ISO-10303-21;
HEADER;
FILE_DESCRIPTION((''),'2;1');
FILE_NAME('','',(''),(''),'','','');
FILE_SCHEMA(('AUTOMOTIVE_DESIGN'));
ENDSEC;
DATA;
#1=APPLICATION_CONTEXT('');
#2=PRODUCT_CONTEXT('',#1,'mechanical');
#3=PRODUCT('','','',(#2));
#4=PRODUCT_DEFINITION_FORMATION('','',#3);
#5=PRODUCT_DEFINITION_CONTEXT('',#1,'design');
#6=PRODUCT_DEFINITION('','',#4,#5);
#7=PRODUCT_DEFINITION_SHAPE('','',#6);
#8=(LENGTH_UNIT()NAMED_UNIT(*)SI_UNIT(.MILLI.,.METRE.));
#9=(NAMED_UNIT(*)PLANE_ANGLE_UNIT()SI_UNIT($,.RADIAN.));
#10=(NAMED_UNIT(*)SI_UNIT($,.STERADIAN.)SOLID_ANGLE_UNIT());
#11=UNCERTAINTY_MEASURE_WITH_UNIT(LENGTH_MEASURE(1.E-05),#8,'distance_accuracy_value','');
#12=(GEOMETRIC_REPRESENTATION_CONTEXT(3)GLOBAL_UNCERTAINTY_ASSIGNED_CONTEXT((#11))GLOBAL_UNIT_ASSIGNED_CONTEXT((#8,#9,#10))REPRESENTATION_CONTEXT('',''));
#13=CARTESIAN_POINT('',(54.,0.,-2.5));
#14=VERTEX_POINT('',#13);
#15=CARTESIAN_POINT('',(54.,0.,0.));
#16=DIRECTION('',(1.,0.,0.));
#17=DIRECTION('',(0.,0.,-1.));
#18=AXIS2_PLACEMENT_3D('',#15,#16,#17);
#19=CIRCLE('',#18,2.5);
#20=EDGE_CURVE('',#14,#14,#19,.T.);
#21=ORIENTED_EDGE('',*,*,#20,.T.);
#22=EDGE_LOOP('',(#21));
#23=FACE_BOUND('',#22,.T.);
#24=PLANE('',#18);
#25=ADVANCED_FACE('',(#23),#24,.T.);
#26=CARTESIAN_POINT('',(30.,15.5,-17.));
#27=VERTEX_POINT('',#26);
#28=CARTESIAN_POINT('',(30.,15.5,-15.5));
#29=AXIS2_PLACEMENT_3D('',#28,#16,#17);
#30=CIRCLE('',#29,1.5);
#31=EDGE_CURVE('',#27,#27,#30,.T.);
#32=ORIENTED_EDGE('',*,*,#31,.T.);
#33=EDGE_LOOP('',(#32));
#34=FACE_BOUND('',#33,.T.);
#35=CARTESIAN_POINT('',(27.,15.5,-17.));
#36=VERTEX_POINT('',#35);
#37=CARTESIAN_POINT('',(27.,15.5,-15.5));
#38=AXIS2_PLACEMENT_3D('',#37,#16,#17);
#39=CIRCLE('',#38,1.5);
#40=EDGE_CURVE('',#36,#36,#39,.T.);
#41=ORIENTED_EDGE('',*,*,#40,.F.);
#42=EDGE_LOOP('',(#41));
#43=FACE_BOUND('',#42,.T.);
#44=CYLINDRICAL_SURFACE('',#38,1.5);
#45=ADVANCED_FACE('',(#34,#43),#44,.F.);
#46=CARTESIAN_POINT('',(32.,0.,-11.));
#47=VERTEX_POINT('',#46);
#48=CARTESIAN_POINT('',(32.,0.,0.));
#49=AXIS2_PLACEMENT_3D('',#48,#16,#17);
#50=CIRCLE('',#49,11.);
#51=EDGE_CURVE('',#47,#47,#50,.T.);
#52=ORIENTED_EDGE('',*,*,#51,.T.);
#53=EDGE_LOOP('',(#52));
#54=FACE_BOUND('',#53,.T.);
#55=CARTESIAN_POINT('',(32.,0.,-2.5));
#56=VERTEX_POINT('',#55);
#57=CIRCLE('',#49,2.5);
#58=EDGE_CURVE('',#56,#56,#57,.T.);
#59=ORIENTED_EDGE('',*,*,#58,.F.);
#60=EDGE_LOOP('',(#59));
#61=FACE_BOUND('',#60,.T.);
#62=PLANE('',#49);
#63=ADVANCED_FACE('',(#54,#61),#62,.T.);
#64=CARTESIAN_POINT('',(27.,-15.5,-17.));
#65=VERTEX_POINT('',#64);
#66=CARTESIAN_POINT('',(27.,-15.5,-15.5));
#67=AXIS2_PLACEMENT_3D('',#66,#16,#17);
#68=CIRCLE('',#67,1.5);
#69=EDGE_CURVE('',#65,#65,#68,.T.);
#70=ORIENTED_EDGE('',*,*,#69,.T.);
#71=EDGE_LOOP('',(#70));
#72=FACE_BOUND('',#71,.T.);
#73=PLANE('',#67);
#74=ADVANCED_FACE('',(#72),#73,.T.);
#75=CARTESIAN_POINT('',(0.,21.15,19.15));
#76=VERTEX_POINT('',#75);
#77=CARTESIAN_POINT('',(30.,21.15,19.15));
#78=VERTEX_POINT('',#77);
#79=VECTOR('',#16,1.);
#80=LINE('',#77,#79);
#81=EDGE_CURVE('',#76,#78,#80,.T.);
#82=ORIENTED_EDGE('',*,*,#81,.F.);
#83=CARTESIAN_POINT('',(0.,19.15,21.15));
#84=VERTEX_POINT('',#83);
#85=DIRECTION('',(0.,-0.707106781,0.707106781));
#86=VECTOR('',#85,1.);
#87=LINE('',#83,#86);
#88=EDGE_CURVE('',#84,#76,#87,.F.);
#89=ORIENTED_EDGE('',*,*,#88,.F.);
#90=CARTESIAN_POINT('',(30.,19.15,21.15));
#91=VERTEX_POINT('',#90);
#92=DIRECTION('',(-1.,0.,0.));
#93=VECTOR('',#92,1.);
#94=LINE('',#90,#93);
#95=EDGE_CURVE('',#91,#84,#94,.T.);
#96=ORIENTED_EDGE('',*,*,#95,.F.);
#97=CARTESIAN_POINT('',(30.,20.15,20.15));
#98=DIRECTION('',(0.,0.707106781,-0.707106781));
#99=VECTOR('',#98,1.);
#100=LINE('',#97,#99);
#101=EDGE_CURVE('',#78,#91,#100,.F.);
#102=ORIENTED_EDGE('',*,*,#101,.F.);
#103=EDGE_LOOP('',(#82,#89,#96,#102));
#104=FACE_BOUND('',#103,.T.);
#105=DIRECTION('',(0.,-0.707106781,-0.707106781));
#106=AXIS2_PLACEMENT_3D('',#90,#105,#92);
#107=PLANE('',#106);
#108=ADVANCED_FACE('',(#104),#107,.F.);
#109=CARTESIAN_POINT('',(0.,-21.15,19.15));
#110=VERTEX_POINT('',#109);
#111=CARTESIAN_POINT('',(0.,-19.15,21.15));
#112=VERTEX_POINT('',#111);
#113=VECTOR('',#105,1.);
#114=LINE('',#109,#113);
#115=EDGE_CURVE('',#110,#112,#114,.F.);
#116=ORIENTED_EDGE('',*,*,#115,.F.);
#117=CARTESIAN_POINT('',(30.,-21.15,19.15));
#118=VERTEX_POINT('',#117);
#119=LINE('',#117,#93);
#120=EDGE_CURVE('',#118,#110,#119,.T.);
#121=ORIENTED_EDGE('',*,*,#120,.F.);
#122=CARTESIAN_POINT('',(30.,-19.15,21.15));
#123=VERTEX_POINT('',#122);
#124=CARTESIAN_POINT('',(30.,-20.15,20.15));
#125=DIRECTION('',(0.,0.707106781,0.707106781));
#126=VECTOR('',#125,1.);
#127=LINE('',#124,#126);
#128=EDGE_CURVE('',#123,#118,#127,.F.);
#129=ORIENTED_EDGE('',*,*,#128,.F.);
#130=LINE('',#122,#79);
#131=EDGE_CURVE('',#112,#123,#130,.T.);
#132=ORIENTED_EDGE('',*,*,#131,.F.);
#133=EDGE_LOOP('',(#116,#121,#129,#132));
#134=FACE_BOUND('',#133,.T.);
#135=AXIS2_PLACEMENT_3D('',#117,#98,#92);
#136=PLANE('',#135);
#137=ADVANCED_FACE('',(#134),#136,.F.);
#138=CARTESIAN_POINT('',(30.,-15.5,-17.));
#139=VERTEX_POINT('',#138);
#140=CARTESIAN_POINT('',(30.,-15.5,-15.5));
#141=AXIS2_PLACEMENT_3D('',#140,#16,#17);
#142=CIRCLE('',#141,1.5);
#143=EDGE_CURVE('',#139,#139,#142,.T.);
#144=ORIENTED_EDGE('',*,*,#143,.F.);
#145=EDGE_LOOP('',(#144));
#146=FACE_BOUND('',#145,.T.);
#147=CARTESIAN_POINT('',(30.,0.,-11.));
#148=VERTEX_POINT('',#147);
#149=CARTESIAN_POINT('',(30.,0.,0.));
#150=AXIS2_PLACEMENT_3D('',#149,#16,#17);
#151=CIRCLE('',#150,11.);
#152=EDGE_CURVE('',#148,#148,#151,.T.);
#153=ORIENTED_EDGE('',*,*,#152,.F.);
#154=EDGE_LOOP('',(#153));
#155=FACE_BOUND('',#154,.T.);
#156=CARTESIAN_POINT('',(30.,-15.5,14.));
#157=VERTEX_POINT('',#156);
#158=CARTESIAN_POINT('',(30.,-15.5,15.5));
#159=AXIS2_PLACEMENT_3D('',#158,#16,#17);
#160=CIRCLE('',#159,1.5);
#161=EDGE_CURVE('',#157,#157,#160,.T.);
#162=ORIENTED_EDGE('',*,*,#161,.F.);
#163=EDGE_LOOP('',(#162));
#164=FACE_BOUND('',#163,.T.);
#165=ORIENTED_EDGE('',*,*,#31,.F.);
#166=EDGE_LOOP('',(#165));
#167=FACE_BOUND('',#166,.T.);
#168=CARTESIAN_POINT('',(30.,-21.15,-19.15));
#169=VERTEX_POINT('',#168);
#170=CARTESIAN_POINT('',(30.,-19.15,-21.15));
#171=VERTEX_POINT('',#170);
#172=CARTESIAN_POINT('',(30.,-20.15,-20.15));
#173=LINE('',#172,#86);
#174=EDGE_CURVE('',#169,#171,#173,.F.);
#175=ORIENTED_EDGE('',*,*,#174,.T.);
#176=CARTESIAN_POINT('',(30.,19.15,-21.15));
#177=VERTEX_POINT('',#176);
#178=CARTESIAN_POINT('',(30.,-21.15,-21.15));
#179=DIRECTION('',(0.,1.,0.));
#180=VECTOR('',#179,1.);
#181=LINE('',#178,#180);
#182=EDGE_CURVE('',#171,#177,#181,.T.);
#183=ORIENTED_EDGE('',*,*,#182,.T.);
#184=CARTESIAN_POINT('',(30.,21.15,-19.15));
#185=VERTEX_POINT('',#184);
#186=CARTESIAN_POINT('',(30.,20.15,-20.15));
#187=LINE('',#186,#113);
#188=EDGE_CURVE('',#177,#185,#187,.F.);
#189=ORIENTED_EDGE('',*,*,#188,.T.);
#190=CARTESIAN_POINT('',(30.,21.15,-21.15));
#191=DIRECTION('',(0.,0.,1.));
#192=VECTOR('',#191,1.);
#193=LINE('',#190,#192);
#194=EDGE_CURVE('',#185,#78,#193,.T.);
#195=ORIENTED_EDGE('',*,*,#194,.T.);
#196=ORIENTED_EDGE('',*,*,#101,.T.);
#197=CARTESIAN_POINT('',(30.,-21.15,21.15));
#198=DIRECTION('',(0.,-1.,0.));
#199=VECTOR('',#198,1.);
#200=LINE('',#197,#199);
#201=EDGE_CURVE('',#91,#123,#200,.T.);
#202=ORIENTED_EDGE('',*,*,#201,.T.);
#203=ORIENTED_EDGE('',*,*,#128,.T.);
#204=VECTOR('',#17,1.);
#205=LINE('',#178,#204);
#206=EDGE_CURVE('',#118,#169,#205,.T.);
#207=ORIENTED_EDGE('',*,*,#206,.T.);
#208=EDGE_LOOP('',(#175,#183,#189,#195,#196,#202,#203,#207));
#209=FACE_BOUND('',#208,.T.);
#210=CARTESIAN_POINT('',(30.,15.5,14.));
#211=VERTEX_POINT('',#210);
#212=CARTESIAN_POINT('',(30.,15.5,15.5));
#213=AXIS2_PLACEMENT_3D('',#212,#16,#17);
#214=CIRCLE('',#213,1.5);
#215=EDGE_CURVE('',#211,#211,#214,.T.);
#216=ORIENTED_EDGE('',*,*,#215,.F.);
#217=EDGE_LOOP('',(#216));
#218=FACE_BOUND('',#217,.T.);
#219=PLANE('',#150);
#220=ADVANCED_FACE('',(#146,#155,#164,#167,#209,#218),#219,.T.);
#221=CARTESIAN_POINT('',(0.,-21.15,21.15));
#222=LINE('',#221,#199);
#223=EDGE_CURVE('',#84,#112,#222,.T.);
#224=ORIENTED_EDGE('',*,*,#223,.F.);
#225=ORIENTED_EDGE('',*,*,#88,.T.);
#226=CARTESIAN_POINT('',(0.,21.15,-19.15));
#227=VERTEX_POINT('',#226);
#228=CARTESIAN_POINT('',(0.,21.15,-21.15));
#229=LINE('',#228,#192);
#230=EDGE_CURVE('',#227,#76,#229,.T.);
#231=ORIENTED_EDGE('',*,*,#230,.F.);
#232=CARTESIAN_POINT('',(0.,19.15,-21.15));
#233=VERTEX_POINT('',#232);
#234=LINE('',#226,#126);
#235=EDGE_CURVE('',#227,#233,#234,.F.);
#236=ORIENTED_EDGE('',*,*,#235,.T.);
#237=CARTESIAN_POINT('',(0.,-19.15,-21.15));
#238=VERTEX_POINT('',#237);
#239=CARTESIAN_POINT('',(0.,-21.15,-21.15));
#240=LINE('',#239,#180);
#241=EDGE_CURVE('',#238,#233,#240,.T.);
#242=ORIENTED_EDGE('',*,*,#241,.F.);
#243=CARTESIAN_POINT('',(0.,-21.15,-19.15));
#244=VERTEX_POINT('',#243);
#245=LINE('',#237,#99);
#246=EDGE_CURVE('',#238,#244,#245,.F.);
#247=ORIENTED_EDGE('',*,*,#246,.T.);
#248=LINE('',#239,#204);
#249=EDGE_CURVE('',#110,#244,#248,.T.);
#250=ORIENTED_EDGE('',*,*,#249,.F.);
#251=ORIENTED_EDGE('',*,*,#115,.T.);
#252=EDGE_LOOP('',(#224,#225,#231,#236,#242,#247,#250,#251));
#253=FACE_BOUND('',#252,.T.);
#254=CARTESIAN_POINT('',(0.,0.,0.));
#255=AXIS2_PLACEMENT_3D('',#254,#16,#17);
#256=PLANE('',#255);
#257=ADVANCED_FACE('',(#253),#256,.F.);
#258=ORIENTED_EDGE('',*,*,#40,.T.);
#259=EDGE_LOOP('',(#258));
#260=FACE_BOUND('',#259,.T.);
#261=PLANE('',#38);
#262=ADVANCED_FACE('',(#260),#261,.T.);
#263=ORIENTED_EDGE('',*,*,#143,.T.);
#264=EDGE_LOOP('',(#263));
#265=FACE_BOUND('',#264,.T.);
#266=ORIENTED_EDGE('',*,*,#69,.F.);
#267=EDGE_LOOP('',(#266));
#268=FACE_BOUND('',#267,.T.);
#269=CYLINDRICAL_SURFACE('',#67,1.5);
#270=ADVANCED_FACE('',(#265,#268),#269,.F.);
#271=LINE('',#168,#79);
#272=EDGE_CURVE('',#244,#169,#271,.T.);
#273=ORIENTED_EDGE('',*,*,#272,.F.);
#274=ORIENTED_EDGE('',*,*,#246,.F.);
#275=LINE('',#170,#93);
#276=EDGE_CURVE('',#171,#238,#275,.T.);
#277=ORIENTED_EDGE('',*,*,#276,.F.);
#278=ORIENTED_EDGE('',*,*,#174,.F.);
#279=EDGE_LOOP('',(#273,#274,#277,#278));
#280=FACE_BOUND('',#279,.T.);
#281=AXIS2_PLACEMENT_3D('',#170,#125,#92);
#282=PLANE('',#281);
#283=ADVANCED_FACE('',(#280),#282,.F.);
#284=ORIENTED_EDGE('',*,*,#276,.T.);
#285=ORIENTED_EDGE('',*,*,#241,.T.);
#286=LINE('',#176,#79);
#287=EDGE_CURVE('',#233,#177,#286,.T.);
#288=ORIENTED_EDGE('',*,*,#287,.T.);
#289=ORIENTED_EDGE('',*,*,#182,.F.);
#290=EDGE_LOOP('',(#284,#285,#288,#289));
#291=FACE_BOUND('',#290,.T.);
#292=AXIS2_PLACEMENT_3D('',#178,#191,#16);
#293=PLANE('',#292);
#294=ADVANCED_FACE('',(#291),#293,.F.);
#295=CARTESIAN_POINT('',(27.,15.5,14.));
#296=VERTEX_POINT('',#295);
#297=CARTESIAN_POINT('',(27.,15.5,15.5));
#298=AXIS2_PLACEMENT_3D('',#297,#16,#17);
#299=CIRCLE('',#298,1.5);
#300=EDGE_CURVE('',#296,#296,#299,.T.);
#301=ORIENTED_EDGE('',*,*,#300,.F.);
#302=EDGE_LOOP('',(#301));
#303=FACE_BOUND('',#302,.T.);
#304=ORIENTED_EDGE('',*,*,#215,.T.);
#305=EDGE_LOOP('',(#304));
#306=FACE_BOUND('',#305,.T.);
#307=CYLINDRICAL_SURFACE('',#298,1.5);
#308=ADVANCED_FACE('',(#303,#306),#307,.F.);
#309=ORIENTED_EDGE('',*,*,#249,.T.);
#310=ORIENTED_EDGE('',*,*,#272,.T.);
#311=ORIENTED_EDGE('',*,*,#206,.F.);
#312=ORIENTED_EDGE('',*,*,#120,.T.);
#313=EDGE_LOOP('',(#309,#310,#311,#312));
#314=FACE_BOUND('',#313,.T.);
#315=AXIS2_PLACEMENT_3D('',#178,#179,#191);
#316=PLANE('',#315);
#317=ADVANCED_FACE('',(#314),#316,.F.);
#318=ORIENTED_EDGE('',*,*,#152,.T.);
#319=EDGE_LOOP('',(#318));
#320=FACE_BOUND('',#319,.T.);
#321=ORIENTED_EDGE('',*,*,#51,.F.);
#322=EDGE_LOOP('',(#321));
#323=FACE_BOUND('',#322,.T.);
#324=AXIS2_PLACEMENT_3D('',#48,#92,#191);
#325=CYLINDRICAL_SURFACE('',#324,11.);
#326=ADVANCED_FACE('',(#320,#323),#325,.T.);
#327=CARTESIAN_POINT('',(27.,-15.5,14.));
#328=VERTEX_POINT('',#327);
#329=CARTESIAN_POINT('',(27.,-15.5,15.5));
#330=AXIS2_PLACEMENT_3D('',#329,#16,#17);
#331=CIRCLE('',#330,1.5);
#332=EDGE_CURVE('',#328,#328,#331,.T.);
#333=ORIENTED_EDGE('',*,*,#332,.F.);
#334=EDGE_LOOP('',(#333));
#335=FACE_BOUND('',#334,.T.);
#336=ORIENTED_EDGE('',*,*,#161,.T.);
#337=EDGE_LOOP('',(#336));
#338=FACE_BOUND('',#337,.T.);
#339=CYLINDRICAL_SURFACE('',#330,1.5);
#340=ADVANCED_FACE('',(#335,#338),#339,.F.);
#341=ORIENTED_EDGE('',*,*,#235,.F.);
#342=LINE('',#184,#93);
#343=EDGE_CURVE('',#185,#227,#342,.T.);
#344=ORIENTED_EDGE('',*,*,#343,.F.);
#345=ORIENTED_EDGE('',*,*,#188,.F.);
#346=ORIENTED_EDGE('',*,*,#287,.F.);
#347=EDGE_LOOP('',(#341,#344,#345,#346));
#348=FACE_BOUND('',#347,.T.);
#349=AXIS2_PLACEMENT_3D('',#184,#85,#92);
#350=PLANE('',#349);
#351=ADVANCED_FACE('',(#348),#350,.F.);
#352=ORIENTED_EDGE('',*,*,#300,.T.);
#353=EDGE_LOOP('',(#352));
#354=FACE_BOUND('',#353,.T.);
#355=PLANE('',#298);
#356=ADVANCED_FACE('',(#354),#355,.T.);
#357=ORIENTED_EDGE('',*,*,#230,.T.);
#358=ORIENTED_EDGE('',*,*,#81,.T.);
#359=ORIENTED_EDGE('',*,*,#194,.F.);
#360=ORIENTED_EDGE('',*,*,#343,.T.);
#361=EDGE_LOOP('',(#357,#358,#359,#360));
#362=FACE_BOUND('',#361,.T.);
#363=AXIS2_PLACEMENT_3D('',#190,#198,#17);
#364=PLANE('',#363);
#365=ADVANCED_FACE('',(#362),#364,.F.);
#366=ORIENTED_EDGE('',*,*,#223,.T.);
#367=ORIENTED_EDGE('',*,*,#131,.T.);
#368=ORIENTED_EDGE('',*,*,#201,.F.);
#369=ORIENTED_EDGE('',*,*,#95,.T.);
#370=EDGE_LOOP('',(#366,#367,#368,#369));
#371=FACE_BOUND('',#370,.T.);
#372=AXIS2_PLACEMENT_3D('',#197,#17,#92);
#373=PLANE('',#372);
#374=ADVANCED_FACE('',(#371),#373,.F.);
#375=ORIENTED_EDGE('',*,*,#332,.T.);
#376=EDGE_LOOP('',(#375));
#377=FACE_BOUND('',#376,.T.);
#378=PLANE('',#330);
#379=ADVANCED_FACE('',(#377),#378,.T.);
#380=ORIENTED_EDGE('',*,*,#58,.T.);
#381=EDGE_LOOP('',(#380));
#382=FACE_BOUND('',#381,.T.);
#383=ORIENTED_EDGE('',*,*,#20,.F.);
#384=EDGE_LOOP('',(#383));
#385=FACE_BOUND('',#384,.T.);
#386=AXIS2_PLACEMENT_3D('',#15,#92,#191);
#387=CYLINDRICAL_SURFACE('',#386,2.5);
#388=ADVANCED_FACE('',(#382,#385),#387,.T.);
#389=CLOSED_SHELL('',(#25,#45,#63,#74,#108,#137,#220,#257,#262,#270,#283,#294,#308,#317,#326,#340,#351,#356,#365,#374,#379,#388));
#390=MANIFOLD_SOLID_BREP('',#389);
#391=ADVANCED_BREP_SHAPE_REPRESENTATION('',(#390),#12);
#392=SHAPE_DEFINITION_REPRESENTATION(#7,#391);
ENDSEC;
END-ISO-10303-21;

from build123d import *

# Parameters (mm, degrees)
SKETCH_1_W          = 42.3
SKETCH_1_H          = 42.3
EXTRUDE_1_DEPTH     = 30
CHAMFER_1_SIZE      = 2
SKETCH_2_R          = 1.5
CUT_EXTRUDE_1_DEPTH = 3
SKETCH_3_R          = 11
EXTRUDE_2_DEPTH     = 2
SKETCH_4_R          = 2.5
EXTRUDE_3_DEPTH     = 22


with BuildPart() as part:
    # 草图1 → 凸台-拉伸1 (new body)
    with BuildSketch(Plane(origin=(0, 0, 0), x_dir=(0, 0, -1), z_dir=(1, 0, 0))):
        Rectangle(SKETCH_1_W, SKETCH_1_H)
    extrude(amount=EXTRUDE_1_DEPTH)

    # 倒角1
    chamfer_1_edges = [part.edges().sort_by_distance(p)[0] for p in [
        (15, 21.15, 21.15),
        (15, 21.15, -21.15),
        (15, -21.15, -21.15),
        (15, -21.15, 21.15),
    ]]
    chamfer(chamfer_1_edges, length=CHAMFER_1_SIZE)

    # 草图2 → 切除-拉伸1 (cut)
    with BuildSketch(Plane(origin=(30, 0, 0), x_dir=(0, 0, -1), z_dir=(1, 0, 0))):
        with Locations((-15.5, 15.5)):
            Circle(SKETCH_2_R)
        with Locations((15.5, 15.5)):
            Circle(SKETCH_2_R)
        with Locations((15.5, -15.5)):
            Circle(SKETCH_2_R)
        with Locations((-15.5, -15.5)):
            Circle(SKETCH_2_R)
    extrude(amount=-CUT_EXTRUDE_1_DEPTH, mode=Mode.SUBTRACT)

    # 草图3 → 凸台-拉伸2 (add)
    with BuildSketch(Plane(origin=(30, 0, 0), x_dir=(0, 0, -1), z_dir=(1, 0, 0))):
        Circle(SKETCH_3_R)
    extrude(amount=EXTRUDE_2_DEPTH)

    # 草图4 → 凸台-拉伸3 (add)
    with BuildSketch(Plane(origin=(32, 0, 0), x_dir=(0, 0, -1), z_dir=(1, 0, 0))):
        Circle(SKETCH_4_R)
    extrude(amount=EXTRUDE_3_DEPTH)


solid = part.part
